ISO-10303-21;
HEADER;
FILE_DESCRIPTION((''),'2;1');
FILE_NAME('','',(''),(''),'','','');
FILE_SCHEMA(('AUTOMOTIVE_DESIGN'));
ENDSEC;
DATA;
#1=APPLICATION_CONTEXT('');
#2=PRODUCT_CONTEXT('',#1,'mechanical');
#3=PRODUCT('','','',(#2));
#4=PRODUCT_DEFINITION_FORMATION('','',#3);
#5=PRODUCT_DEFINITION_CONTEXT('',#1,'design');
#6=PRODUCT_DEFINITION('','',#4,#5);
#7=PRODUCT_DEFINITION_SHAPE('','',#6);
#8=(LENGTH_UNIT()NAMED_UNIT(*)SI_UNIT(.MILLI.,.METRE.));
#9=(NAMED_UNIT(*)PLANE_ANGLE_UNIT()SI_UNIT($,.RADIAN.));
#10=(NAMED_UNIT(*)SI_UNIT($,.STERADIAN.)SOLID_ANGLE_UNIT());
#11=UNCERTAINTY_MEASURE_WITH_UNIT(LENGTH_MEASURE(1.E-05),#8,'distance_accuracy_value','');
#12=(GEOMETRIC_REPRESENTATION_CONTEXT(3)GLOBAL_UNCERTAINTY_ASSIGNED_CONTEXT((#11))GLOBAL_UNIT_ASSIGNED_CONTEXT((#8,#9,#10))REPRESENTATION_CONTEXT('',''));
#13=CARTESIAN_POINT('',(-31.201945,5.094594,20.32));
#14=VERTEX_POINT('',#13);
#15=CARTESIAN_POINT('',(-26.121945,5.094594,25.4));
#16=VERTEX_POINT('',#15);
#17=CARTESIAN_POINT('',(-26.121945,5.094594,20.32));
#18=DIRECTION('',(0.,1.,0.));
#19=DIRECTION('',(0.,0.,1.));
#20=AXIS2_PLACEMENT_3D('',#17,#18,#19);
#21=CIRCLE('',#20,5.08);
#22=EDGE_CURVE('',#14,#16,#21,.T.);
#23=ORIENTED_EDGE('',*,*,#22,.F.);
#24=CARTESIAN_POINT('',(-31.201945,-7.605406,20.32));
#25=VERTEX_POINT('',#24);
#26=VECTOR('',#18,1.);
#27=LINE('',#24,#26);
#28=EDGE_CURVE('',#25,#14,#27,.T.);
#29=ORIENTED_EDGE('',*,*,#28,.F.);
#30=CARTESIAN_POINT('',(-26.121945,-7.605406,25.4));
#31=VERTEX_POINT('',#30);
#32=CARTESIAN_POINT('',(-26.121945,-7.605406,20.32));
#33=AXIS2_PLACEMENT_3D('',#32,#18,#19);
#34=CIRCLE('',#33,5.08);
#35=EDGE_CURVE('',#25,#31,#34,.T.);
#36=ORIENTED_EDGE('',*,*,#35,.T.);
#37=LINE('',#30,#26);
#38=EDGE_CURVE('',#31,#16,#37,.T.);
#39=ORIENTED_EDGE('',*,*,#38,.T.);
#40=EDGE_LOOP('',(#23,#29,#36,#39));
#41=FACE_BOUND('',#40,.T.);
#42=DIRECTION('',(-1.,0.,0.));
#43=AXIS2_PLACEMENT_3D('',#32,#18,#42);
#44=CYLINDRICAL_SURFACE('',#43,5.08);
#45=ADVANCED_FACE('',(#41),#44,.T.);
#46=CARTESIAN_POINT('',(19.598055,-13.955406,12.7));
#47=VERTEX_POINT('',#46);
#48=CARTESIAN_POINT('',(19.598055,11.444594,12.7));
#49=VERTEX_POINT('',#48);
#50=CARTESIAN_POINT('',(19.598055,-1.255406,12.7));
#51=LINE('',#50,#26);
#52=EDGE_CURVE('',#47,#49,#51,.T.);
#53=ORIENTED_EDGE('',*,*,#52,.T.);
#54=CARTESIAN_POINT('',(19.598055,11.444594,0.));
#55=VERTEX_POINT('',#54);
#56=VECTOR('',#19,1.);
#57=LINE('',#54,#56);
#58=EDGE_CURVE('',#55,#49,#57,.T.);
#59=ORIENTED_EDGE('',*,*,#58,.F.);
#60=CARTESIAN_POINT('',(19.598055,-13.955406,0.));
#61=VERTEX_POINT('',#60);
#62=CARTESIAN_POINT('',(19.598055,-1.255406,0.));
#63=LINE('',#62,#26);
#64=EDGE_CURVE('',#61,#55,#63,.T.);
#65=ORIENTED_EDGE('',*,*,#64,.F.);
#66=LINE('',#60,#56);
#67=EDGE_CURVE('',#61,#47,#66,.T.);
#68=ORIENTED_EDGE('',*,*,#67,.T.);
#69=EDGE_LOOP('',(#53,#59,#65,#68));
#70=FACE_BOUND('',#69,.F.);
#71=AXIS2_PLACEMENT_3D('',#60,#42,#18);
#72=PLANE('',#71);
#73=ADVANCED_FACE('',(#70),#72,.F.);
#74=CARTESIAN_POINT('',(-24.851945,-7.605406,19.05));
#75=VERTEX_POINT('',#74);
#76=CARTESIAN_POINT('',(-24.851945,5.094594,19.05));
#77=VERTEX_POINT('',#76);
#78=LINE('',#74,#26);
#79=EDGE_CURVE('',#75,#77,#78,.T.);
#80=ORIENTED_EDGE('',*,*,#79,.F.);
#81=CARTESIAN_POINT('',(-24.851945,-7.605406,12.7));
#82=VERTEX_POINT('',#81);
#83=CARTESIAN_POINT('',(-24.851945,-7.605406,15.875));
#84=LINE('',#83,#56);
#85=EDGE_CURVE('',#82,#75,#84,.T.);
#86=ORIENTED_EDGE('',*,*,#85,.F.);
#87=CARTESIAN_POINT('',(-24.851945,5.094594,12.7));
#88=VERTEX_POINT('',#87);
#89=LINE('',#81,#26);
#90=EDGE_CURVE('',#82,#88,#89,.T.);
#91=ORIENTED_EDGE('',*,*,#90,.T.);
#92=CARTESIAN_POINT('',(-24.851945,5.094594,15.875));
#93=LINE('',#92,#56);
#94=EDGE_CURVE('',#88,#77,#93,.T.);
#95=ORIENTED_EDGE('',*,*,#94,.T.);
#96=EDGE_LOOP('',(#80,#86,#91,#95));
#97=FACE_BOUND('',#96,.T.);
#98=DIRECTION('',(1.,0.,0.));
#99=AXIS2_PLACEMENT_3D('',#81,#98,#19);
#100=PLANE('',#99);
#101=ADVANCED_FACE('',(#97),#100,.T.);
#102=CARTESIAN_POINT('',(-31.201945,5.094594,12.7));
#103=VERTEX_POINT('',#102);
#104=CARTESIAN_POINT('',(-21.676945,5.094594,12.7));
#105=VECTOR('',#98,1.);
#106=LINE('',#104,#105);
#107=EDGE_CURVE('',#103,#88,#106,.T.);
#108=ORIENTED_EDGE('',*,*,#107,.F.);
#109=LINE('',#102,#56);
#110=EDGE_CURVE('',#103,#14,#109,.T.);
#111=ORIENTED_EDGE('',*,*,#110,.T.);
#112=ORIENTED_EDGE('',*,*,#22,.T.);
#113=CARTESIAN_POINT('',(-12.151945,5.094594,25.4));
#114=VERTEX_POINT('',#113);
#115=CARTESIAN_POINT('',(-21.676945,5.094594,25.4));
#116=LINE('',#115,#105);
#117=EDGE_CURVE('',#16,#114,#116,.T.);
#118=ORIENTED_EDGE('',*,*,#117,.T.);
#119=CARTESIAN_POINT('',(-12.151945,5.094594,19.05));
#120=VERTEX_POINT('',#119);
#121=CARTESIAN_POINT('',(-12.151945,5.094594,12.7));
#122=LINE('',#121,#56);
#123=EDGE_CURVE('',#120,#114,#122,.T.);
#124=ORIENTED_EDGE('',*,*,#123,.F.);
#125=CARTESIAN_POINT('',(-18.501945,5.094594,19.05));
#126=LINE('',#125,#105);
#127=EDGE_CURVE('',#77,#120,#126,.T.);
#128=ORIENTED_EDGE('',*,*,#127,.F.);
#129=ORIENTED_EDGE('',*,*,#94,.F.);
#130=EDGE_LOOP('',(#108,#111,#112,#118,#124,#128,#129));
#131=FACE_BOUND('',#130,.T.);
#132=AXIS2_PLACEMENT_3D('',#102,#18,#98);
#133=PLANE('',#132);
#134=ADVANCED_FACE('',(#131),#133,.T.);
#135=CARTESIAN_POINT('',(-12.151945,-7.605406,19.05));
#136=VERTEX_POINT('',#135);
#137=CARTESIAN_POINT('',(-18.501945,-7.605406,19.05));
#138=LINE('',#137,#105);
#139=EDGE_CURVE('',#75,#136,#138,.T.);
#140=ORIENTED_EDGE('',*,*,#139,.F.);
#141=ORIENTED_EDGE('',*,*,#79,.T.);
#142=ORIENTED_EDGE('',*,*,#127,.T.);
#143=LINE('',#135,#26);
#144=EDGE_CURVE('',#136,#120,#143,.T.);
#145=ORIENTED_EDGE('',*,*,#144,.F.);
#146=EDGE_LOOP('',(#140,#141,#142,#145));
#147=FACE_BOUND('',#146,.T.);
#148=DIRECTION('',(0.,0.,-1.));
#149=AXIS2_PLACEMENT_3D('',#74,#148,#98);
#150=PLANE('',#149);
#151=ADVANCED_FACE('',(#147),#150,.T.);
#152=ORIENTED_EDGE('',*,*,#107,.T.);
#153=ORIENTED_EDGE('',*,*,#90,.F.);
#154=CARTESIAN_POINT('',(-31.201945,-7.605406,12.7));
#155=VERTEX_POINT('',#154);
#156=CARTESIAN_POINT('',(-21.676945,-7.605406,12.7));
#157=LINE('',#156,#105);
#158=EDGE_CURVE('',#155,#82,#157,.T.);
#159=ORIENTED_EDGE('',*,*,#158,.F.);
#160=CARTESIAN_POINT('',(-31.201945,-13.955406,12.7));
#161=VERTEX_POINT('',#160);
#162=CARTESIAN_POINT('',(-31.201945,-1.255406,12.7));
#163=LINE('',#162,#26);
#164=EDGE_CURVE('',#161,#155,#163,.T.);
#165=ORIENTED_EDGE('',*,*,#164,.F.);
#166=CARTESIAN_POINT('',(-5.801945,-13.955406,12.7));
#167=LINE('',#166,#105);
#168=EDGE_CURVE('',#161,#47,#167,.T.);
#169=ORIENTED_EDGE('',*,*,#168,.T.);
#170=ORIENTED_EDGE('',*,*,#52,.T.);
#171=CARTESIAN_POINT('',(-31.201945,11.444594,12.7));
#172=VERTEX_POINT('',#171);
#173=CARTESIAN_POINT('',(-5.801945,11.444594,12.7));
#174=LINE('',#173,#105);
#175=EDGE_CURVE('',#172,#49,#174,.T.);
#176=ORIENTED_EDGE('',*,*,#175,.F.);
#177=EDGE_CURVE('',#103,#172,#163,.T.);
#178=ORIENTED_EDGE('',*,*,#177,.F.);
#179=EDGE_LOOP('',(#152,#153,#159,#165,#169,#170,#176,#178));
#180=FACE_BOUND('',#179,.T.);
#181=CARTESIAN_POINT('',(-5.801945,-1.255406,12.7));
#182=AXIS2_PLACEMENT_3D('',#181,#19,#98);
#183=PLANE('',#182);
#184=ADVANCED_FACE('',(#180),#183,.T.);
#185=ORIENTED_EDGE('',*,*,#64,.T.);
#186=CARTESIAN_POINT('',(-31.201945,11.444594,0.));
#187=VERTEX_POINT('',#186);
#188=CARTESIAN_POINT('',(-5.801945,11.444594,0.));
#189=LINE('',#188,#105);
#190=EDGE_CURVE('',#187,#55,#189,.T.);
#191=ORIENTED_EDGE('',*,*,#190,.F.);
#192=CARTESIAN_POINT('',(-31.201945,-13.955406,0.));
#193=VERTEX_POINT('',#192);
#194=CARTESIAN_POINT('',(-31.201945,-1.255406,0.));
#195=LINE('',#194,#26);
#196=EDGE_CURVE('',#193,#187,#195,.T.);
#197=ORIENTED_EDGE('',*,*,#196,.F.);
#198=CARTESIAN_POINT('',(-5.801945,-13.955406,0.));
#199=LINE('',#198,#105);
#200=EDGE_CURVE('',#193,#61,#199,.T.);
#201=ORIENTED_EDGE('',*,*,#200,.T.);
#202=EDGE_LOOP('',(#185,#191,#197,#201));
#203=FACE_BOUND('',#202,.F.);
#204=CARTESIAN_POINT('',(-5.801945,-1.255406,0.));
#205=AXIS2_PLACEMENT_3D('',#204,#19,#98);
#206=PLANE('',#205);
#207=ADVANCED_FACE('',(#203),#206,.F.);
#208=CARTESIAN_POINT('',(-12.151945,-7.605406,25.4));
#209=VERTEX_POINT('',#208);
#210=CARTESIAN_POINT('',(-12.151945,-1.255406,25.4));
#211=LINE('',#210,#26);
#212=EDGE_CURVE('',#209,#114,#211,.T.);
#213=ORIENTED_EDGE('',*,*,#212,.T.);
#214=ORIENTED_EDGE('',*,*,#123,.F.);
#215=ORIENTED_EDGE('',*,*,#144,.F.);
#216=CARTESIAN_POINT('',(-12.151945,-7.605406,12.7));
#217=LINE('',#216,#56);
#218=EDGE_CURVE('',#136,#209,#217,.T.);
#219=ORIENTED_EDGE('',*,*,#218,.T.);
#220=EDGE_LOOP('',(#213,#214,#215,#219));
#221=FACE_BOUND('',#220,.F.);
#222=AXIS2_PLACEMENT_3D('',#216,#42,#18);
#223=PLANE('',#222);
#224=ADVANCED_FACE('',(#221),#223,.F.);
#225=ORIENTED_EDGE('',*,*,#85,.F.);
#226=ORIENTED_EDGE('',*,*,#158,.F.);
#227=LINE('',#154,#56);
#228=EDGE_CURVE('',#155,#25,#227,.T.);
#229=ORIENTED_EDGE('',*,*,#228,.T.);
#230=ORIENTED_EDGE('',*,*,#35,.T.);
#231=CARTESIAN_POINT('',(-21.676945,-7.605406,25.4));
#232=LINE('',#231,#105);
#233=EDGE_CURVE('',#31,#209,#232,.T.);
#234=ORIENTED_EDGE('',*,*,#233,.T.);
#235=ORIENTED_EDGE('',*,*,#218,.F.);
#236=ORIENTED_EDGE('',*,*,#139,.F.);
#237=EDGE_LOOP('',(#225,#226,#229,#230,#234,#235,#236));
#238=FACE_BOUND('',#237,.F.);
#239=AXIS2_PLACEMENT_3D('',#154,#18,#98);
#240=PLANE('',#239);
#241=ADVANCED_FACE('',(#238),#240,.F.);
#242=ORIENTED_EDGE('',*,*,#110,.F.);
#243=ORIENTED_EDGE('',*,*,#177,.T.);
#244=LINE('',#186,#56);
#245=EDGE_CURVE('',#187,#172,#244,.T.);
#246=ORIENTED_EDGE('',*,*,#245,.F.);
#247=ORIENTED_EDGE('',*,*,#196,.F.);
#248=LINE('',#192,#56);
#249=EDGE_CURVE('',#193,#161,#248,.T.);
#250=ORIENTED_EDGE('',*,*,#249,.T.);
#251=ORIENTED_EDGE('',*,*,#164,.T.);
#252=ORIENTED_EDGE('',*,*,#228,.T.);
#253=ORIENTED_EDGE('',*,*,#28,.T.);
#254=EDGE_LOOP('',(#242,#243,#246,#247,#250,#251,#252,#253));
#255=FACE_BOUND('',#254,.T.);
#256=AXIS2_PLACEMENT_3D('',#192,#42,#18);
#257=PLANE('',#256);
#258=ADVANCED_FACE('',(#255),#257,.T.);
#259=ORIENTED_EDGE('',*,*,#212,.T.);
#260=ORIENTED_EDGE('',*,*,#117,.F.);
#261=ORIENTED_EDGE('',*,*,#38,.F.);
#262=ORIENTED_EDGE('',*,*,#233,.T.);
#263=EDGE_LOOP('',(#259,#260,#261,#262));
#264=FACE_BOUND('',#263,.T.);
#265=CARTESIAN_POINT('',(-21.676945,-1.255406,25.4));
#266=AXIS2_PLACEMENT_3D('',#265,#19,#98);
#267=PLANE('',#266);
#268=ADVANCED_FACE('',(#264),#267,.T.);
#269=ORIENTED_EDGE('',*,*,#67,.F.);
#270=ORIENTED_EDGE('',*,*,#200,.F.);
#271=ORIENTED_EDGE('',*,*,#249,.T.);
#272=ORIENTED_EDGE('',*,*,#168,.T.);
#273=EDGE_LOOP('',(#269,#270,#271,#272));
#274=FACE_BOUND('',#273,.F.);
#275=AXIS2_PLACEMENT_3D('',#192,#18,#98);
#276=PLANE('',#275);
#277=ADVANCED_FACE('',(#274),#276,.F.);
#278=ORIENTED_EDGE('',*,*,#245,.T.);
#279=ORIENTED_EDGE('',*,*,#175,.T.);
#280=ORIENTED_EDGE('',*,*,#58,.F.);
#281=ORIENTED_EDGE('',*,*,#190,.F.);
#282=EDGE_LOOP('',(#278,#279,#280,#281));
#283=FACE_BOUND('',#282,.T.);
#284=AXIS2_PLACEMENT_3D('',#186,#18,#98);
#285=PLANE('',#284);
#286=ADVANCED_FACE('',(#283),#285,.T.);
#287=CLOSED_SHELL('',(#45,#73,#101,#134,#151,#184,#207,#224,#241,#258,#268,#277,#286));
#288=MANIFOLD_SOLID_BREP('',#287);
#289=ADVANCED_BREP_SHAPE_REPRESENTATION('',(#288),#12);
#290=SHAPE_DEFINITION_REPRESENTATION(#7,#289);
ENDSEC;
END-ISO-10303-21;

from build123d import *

# Parameters (mm, degrees)
F0_W     = 50.8
F0_H     = 25.4
F1_DEPTH = 12.7
F2_W     = 19.05
F2_H     = 12.7
F3_DEPTH = 12.7
F4_W     = 12.7
F4_H     = 6.35
F5_DEPTH = 12.7
F6_R     = 5.08


with BuildPart() as f1:
    # F0 (on Top) → F1 (new body)
    with BuildSketch(Plane.XY):
        with Locations((-5.801945, -1.255406)):
            Rectangle(F0_W, F0_H)
    extrude(amount=F1_DEPTH)

    # F2 (on face) → F3 (join)
    with BuildSketch(Plane.XY.offset(12.7)):
        with Locations((-21.676945, -1.255406)):
            Rectangle(F2_W, F2_H)
    extrude(amount=F3_DEPTH)

    # F4 (on face) → F5 (cut, through all)
    with BuildSketch(Plane.XZ.offset(7.605406)):
        with Locations((-18.501945, 15.875)):
            Rectangle(F4_W, F4_H)
    extrude(amount=-F5_DEPTH, mode=Mode.SUBTRACT)

    # F6
    f6_edges = [f1.edges().sort_by_distance(p)[0] for p in [
        (-31.201945, -1.255406, 25.4),
    ]]
    fillet(f6_edges, radius=F6_R)


solid = f1.part
